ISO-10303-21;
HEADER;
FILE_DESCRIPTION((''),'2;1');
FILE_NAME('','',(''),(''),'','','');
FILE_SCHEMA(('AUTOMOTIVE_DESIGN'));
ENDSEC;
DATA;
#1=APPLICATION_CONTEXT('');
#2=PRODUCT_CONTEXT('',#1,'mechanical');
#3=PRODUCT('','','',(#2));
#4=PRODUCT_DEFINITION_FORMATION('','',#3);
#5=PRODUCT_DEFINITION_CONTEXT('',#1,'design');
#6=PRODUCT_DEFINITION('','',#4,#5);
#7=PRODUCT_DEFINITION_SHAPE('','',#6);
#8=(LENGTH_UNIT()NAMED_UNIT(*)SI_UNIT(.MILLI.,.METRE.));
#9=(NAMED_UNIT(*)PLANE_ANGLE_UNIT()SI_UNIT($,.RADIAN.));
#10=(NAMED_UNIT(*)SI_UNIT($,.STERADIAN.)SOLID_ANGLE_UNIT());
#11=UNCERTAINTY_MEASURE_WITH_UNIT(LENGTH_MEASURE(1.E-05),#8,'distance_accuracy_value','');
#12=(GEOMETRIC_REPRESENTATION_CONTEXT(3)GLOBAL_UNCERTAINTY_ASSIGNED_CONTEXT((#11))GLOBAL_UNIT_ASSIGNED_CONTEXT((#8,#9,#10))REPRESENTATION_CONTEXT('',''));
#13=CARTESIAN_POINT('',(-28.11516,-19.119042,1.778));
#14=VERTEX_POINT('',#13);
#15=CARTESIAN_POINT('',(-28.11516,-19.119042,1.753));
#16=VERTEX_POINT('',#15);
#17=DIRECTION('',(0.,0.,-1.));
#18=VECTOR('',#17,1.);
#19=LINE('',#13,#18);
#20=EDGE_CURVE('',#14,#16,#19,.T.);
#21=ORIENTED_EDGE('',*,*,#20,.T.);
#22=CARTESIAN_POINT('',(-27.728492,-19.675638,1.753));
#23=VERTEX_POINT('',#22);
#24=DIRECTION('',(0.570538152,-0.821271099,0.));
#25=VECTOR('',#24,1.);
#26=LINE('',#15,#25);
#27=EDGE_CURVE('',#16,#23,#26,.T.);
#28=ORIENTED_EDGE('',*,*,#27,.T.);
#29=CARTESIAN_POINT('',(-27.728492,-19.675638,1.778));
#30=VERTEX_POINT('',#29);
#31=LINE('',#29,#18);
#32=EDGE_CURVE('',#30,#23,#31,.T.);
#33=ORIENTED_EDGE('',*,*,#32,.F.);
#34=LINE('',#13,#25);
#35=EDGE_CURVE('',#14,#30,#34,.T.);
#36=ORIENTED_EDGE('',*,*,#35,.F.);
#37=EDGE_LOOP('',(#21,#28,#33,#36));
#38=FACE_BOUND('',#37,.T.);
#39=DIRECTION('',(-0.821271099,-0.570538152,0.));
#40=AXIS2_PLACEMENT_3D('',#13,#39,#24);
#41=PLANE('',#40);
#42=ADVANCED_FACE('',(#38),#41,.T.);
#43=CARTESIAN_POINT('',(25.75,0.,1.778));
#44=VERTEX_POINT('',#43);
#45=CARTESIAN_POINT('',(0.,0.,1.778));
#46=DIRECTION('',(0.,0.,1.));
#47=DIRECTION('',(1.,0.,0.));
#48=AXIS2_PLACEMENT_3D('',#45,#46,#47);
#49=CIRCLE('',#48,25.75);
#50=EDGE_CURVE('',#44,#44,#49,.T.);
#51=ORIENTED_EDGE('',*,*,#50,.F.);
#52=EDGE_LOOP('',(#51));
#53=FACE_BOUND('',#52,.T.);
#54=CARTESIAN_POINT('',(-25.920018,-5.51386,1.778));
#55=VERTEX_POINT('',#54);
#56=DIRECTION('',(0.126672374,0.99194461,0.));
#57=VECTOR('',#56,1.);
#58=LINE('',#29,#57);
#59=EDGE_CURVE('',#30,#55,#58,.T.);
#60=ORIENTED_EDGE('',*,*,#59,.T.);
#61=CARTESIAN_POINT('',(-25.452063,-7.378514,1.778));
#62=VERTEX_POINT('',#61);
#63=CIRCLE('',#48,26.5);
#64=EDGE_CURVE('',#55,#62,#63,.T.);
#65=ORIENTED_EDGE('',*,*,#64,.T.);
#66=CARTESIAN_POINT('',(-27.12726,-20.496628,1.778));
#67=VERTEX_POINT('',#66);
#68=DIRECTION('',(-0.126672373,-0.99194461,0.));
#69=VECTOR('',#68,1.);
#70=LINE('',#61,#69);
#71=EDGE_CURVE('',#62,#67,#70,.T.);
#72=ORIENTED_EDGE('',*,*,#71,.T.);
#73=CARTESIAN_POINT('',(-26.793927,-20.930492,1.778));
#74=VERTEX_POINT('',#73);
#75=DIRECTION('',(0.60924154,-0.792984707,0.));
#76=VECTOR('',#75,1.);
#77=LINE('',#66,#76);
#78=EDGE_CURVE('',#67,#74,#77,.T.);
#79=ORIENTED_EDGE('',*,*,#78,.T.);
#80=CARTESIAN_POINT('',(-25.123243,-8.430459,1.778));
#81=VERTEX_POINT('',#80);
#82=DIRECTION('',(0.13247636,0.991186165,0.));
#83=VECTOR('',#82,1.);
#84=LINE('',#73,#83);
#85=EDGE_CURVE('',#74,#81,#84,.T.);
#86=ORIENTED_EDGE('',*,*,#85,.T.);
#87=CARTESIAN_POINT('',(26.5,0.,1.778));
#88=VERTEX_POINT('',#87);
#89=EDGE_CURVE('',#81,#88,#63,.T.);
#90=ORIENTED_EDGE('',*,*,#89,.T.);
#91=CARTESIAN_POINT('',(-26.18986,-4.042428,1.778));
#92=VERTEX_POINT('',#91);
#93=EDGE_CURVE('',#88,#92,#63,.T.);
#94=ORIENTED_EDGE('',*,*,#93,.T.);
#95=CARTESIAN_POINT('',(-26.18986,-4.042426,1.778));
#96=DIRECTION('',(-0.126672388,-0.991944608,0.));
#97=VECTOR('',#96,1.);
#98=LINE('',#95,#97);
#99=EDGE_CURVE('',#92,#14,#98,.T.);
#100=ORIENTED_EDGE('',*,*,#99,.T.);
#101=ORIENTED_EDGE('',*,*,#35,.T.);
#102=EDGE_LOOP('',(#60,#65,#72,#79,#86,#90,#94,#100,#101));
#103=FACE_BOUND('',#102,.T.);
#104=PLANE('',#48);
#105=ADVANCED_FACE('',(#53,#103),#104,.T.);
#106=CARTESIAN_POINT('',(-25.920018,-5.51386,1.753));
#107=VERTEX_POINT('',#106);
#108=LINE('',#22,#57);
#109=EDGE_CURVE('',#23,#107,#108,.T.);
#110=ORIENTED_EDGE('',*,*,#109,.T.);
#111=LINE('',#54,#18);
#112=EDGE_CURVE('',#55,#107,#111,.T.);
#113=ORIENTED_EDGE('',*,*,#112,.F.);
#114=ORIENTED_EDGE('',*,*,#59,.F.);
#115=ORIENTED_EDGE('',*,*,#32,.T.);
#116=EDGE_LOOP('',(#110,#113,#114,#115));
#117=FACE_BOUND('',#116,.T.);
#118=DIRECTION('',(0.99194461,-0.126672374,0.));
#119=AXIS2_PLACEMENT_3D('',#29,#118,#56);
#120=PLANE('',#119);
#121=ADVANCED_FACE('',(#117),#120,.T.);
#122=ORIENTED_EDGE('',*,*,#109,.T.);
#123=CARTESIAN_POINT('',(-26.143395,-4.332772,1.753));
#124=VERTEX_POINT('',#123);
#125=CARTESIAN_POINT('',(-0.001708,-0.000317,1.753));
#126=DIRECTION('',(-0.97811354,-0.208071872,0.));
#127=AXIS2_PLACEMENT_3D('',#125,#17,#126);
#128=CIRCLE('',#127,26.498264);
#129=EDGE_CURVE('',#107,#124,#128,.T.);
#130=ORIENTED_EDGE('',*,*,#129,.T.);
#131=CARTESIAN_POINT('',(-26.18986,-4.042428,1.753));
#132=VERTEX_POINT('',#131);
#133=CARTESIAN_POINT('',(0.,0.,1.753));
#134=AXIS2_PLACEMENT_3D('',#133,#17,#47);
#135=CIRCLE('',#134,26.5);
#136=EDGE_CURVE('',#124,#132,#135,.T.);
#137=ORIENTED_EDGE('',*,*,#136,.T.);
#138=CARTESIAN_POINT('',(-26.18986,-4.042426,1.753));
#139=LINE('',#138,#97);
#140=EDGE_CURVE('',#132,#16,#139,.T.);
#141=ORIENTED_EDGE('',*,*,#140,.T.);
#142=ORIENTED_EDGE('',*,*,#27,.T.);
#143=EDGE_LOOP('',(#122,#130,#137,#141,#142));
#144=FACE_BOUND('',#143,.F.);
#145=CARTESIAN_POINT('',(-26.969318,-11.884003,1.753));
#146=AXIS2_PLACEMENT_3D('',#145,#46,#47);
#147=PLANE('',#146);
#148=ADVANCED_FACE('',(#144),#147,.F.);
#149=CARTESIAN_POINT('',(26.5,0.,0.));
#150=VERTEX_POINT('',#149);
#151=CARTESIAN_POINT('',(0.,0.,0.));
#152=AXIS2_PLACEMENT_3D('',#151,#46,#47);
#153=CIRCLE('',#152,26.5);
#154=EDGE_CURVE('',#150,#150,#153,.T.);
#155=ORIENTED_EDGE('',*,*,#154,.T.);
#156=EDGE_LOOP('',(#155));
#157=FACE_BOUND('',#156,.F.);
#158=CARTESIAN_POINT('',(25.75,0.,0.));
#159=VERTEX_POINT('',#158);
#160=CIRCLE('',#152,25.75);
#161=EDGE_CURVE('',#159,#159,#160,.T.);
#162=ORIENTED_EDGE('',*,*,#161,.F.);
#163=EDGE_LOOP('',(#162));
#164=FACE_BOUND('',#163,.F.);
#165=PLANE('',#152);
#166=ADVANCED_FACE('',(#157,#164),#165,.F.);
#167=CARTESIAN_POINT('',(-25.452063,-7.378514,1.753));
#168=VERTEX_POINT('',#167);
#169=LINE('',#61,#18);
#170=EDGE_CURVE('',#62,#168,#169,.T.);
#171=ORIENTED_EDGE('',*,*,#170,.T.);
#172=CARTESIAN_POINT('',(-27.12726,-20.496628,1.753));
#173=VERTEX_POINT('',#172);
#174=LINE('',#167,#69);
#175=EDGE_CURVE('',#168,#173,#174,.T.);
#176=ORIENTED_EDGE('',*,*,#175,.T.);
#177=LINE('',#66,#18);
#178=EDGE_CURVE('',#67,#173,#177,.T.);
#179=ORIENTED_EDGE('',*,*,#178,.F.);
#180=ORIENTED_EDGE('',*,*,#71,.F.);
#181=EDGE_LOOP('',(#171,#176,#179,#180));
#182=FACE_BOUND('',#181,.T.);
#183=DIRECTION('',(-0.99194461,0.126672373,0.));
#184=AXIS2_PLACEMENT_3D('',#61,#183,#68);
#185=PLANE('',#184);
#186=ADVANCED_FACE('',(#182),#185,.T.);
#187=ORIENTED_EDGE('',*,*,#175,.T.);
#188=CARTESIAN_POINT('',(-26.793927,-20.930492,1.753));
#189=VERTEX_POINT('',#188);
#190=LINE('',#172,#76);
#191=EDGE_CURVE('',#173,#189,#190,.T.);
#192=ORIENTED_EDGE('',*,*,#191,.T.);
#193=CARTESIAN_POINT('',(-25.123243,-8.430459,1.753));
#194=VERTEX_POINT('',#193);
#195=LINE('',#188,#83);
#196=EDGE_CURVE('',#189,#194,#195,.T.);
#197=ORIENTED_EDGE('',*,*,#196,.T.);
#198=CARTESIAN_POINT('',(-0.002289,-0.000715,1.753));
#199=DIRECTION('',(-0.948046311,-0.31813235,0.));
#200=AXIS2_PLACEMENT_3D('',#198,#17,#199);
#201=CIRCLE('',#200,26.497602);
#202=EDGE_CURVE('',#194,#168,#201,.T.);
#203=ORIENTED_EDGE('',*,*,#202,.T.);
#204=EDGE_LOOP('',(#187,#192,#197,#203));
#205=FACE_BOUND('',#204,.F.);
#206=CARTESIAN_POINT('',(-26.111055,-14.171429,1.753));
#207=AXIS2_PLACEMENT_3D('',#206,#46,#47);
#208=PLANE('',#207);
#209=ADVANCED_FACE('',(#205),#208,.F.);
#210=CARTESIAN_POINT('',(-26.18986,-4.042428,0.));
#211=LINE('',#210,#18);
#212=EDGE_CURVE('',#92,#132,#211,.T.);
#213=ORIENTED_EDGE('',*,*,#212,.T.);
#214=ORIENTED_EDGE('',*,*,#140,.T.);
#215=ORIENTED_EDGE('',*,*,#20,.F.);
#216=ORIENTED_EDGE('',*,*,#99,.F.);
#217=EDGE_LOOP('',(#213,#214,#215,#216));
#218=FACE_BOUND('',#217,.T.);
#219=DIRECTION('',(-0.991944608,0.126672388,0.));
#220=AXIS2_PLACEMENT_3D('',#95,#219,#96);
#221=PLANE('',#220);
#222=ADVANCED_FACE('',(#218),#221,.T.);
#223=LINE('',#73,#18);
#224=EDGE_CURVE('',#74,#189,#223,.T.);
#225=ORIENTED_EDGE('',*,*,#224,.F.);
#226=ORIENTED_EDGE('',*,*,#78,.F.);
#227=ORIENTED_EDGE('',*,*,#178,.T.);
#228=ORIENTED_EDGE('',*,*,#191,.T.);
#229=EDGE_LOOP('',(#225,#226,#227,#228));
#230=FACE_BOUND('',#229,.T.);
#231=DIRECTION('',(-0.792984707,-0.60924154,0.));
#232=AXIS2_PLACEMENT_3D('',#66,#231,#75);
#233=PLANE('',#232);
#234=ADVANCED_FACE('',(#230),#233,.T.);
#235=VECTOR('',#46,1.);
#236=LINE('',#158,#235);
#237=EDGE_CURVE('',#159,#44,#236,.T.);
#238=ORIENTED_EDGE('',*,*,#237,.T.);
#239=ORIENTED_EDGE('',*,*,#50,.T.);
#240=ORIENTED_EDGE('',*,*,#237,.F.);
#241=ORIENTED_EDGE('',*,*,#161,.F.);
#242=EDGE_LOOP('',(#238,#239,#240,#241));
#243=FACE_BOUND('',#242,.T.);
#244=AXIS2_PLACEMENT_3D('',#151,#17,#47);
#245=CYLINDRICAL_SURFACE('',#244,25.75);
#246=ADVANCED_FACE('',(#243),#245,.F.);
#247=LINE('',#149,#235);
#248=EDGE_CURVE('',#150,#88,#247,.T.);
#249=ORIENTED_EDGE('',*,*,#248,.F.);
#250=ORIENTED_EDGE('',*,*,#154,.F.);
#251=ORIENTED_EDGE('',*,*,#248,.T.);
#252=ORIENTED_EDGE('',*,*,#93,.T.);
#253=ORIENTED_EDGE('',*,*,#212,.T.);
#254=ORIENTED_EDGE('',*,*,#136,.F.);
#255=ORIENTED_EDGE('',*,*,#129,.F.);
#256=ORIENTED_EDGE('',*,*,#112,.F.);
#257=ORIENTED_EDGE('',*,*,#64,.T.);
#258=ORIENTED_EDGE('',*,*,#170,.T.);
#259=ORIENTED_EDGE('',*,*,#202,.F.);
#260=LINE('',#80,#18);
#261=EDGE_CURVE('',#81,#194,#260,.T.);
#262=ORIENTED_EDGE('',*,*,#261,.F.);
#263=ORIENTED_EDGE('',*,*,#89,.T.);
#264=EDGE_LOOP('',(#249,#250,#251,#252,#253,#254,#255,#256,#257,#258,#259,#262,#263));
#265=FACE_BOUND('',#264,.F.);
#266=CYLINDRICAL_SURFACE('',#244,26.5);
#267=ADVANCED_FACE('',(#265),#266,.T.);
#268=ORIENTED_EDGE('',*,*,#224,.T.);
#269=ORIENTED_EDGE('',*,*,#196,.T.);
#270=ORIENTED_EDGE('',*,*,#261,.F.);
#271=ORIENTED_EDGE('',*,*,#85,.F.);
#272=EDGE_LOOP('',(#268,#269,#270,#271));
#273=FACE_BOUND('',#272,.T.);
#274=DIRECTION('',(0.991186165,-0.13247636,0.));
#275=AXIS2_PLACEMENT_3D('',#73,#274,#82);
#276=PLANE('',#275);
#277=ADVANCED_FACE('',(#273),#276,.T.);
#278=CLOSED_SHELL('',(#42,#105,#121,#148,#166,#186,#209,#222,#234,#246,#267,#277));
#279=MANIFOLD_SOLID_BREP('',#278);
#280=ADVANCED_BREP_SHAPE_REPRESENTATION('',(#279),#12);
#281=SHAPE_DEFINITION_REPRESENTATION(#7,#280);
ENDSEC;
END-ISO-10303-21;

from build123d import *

# Parameters (mm, degrees)
F0_R     = 26.5
F0_R_2   = 25.75
F1_DEPTH = 1.778
F3_DEPTH = 0.025


with BuildPart() as f1:
    # F0 (on Top) → F1 (new body)
    with BuildSketch(Plane.XY):
        Circle(F0_R)
        Circle(F0_R_2, mode=Mode.SUBTRACT)
    extrude(amount=F1_DEPTH)

    # F2 (on face) → F3 (join)
    with BuildSketch(Plane.XY.offset(1.778)):
        with BuildLine():
            Line((-26.18986, -4.042426), (-28.11516, -19.119042))
            Line((-28.11516, -19.119042), (-27.728492, -19.675638))
            Line((-27.728492, -19.675638), (-25.920018, -5.51386))
            ThreePointArc((-25.920018, -5.51386), (-26.065325, -4.780047), (-26.18986, -4.042426))
        make_face()
        with BuildLine():
            Line((-27.12726, -20.496628), (-26.793927, -20.930492))
            Line((-26.793927, -20.930492), (-25.123243, -8.430459))
            ThreePointArc((-25.123243, -8.430459), (-25.293123, -7.906196), (-25.452063, -7.378514))
            Line((-25.452063, -7.378514), (-27.12726, -20.496628))
        make_face()
    extrude(amount=-F3_DEPTH)


solid = f1.part
